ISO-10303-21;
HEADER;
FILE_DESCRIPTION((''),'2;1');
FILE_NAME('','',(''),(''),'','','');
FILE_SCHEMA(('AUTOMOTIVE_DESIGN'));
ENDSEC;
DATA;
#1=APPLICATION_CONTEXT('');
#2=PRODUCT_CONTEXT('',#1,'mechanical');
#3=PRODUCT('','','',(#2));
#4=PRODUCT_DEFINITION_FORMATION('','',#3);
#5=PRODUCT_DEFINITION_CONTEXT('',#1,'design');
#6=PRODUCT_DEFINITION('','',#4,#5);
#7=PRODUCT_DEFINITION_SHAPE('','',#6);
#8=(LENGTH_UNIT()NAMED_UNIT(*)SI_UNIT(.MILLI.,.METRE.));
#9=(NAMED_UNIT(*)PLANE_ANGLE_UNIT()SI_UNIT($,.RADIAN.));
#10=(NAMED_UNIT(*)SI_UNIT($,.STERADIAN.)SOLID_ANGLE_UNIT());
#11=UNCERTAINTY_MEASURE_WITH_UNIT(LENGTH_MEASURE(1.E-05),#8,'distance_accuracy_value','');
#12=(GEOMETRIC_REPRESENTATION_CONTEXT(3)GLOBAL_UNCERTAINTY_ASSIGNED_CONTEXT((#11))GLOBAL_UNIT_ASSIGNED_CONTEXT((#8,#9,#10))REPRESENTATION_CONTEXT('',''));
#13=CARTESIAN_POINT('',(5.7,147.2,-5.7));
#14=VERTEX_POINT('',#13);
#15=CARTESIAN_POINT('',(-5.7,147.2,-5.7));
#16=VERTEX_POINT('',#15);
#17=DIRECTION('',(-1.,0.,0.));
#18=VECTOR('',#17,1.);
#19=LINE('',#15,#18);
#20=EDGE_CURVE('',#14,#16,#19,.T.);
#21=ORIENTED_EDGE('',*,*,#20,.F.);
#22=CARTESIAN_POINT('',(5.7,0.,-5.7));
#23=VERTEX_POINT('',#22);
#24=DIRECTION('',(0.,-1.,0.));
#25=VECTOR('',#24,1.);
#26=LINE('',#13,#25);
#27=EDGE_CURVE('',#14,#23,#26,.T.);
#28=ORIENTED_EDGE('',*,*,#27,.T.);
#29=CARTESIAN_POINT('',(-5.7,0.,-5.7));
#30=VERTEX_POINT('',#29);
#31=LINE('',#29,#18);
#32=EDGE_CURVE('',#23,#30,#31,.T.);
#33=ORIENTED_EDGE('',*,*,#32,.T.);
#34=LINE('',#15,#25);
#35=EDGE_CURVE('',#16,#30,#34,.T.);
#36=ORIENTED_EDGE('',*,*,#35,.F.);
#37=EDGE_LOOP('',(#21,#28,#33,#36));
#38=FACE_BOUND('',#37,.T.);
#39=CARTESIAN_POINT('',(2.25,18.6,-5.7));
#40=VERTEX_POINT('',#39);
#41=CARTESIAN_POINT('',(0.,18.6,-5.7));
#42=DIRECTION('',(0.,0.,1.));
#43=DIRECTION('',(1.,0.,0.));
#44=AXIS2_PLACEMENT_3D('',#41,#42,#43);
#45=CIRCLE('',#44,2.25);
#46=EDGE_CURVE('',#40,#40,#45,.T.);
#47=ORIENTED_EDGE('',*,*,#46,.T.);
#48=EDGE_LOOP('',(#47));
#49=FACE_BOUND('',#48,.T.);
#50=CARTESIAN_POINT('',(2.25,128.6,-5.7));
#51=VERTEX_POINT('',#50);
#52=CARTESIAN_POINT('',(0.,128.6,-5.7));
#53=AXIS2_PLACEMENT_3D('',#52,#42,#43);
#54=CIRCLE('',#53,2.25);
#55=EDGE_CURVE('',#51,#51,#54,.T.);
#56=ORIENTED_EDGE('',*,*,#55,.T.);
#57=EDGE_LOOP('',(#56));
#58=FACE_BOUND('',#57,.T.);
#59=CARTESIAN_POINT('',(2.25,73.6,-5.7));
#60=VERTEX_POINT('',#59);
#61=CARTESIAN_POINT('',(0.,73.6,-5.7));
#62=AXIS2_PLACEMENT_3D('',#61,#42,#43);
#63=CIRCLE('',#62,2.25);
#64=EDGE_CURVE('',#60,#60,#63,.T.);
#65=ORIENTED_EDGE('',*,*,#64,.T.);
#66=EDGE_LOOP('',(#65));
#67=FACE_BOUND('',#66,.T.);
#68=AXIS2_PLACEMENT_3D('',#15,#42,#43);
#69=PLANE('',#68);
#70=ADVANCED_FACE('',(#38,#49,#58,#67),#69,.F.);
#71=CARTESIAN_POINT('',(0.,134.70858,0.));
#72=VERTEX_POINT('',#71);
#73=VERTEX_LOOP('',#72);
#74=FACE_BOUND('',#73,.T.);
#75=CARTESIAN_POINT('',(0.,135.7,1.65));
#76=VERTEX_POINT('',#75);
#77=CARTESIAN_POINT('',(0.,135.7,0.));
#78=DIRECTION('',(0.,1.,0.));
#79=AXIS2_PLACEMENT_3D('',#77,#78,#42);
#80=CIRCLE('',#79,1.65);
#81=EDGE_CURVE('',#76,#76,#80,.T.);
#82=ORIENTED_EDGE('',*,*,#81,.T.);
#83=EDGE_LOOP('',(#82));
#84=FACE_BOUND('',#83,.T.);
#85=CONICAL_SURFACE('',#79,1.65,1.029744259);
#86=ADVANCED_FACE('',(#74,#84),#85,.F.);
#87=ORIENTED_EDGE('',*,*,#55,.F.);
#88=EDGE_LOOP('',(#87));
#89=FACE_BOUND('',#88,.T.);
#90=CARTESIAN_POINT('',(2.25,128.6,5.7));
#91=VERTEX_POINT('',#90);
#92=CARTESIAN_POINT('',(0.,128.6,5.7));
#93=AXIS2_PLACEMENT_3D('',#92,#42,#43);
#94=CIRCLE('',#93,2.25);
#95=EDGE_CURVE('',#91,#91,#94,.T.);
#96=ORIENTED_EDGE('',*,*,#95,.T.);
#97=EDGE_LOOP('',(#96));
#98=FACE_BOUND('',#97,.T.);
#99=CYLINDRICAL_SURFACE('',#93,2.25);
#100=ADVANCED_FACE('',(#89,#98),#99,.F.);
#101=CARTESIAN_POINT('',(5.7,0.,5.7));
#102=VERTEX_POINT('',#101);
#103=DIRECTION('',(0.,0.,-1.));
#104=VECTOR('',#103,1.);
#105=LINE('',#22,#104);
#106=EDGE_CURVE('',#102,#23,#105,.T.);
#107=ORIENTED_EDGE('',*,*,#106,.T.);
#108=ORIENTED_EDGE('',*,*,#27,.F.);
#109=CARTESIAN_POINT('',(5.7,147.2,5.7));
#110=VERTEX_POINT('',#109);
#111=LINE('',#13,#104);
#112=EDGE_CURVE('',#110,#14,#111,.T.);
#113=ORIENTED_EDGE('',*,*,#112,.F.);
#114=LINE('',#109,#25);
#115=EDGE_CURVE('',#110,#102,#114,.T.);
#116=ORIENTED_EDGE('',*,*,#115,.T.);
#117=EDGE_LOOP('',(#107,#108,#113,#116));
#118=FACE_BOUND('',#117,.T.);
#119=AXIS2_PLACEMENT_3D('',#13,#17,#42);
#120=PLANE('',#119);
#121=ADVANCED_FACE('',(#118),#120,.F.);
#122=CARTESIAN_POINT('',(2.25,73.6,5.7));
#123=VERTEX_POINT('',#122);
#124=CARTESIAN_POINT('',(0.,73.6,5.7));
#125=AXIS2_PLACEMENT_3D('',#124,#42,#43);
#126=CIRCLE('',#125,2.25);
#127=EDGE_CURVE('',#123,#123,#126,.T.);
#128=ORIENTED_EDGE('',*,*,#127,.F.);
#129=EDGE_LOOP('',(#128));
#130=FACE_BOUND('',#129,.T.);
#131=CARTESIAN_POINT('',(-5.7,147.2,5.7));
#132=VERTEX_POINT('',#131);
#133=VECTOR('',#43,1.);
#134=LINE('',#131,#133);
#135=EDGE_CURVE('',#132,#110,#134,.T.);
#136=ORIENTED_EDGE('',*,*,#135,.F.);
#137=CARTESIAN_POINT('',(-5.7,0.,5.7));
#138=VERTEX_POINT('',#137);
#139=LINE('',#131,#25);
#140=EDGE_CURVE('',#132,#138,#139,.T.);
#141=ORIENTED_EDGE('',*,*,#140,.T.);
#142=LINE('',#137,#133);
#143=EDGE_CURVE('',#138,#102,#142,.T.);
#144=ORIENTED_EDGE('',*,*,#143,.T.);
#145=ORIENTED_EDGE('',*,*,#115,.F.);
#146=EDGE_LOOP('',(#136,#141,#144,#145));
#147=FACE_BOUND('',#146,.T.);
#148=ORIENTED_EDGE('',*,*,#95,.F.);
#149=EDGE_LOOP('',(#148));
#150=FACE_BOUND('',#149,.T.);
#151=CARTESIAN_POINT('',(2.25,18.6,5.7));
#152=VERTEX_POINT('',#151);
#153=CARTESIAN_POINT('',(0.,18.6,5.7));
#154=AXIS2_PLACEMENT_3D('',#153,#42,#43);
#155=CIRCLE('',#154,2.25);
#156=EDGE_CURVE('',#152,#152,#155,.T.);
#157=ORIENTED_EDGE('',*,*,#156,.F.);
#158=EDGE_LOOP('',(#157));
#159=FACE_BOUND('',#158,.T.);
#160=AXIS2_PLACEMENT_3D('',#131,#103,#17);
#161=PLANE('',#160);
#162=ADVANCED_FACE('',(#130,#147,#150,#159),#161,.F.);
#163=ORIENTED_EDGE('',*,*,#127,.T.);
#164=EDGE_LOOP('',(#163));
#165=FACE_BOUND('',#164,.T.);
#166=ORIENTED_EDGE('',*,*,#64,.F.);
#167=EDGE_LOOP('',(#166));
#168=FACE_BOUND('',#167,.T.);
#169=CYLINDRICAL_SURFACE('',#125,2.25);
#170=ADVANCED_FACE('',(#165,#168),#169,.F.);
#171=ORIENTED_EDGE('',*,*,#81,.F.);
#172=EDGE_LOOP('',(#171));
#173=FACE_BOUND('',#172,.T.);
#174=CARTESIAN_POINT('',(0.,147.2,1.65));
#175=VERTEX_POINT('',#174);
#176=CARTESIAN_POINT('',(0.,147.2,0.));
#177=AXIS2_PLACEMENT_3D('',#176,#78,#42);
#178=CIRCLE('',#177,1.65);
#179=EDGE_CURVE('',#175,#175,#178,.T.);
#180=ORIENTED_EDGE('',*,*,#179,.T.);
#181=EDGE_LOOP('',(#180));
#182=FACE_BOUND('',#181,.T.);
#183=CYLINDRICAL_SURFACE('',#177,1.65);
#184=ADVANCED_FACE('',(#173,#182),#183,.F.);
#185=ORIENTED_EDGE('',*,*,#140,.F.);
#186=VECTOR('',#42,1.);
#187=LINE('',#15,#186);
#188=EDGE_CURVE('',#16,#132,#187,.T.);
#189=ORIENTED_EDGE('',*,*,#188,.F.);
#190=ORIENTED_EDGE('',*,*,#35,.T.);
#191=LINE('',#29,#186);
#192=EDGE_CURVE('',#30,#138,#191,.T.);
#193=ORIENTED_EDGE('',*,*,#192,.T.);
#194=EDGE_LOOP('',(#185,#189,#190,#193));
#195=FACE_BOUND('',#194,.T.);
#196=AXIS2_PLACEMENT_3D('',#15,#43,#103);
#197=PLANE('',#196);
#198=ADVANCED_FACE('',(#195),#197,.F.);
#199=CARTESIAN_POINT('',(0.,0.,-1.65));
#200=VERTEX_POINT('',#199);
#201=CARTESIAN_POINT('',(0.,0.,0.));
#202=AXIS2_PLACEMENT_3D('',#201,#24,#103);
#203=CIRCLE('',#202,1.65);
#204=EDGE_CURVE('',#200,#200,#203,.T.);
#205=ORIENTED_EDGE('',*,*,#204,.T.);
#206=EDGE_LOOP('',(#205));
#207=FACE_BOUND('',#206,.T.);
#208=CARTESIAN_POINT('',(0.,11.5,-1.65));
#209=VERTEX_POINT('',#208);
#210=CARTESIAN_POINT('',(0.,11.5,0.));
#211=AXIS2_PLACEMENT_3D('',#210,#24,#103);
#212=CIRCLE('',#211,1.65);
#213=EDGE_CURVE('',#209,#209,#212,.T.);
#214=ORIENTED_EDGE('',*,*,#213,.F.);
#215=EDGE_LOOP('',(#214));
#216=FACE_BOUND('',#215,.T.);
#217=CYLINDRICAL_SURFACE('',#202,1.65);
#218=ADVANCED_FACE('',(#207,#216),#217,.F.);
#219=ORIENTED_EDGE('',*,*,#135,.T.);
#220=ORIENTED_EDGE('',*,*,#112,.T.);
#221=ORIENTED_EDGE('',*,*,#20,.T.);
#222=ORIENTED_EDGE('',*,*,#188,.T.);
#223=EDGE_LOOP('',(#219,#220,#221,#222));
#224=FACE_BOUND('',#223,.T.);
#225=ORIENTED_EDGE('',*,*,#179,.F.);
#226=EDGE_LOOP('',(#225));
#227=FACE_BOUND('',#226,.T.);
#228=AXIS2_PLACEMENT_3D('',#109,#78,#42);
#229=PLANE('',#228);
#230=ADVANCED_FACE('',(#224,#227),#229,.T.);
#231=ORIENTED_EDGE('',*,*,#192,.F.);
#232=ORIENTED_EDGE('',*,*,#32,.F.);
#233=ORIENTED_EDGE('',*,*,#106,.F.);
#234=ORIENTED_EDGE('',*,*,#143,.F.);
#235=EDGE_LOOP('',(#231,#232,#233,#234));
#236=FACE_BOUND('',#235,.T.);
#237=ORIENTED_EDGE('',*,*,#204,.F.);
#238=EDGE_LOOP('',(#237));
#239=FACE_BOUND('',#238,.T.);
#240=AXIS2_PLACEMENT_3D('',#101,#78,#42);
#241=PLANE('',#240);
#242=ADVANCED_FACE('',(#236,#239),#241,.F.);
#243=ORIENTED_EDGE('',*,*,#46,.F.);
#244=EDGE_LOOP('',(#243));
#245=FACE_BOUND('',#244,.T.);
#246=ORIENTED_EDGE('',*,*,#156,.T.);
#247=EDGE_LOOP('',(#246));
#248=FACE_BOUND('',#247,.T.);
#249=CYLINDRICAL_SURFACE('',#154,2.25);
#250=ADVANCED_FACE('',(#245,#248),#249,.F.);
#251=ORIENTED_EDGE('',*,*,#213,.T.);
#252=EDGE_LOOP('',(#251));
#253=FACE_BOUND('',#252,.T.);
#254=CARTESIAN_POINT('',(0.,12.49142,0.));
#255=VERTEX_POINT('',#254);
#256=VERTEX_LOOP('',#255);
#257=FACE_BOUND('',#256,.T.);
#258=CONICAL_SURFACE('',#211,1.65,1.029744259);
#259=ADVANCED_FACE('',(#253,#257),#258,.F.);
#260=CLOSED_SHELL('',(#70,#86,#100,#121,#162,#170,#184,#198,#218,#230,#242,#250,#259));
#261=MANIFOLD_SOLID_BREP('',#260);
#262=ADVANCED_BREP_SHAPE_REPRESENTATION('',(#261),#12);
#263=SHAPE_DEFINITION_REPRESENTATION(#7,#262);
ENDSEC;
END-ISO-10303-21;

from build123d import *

# Parameters (mm, degrees)
ESQUISSE1_W           = 11.4
ESQUISSE1_H           = 11.4
BOSS_EXTRU_1_DEPTH    = 147.2
TROU_TARAUD_M41_D     = 3.3
TROU_TARAUD_M41_DEPTH = 11.5
TROU_TARAUD_M41_TIP   = 0.991420021
TROU_TARAUD_M42_D     = 3.3
TROU_TARAUD_M42_DEPTH = 11.5
TROU_TARAUD_M42_TIP   = 0.991420021
D_GAGEMENT_M41_D      = 4.5


with BuildPart() as part:
    # Esquisse1 → Boss.-Extru.1 (new body)
    with BuildSketch(Plane(origin=(0, 0, 0), x_dir=(1, 0, 0), z_dir=(0, 1, 0))):
        Rectangle(ESQUISSE1_W, ESQUISSE1_H)
    extrude(amount=BOSS_EXTRU_1_DEPTH)

    # Trou taraudé M41
    with Locations(Plane(origin=(0, 147.2, 0), x_dir=(-1, 0, 0), z_dir=(0, 1, 0))):
        with Locations((0, 0)):
            Hole(TROU_TARAUD_M41_D / 2, depth=TROU_TARAUD_M41_DEPTH)
            with Locations((0, 0, -(TROU_TARAUD_M41_DEPTH + TROU_TARAUD_M41_TIP / 2))):  # 118° drill point
                Cone(0, TROU_TARAUD_M41_D / 2, TROU_TARAUD_M41_TIP, mode=Mode.SUBTRACT)

    # Trou taraudé M42
    with Locations(Plane.XZ):
        with Locations((0, 0)):
            Hole(TROU_TARAUD_M42_D / 2, depth=TROU_TARAUD_M42_DEPTH)
            with Locations((0, 0, -(TROU_TARAUD_M42_DEPTH + TROU_TARAUD_M42_TIP / 2))):  # 118° drill point
                Cone(0, TROU_TARAUD_M42_D / 2, TROU_TARAUD_M42_TIP, mode=Mode.SUBTRACT)

    # Dégagement M41 (through all)
    with Locations(Plane.XY.offset(5.7)):
        with Locations((0, 128.6), (0, 73.6), (0, 18.6)):
            Hole(D_GAGEMENT_M41_D / 2)


solid = part.part
